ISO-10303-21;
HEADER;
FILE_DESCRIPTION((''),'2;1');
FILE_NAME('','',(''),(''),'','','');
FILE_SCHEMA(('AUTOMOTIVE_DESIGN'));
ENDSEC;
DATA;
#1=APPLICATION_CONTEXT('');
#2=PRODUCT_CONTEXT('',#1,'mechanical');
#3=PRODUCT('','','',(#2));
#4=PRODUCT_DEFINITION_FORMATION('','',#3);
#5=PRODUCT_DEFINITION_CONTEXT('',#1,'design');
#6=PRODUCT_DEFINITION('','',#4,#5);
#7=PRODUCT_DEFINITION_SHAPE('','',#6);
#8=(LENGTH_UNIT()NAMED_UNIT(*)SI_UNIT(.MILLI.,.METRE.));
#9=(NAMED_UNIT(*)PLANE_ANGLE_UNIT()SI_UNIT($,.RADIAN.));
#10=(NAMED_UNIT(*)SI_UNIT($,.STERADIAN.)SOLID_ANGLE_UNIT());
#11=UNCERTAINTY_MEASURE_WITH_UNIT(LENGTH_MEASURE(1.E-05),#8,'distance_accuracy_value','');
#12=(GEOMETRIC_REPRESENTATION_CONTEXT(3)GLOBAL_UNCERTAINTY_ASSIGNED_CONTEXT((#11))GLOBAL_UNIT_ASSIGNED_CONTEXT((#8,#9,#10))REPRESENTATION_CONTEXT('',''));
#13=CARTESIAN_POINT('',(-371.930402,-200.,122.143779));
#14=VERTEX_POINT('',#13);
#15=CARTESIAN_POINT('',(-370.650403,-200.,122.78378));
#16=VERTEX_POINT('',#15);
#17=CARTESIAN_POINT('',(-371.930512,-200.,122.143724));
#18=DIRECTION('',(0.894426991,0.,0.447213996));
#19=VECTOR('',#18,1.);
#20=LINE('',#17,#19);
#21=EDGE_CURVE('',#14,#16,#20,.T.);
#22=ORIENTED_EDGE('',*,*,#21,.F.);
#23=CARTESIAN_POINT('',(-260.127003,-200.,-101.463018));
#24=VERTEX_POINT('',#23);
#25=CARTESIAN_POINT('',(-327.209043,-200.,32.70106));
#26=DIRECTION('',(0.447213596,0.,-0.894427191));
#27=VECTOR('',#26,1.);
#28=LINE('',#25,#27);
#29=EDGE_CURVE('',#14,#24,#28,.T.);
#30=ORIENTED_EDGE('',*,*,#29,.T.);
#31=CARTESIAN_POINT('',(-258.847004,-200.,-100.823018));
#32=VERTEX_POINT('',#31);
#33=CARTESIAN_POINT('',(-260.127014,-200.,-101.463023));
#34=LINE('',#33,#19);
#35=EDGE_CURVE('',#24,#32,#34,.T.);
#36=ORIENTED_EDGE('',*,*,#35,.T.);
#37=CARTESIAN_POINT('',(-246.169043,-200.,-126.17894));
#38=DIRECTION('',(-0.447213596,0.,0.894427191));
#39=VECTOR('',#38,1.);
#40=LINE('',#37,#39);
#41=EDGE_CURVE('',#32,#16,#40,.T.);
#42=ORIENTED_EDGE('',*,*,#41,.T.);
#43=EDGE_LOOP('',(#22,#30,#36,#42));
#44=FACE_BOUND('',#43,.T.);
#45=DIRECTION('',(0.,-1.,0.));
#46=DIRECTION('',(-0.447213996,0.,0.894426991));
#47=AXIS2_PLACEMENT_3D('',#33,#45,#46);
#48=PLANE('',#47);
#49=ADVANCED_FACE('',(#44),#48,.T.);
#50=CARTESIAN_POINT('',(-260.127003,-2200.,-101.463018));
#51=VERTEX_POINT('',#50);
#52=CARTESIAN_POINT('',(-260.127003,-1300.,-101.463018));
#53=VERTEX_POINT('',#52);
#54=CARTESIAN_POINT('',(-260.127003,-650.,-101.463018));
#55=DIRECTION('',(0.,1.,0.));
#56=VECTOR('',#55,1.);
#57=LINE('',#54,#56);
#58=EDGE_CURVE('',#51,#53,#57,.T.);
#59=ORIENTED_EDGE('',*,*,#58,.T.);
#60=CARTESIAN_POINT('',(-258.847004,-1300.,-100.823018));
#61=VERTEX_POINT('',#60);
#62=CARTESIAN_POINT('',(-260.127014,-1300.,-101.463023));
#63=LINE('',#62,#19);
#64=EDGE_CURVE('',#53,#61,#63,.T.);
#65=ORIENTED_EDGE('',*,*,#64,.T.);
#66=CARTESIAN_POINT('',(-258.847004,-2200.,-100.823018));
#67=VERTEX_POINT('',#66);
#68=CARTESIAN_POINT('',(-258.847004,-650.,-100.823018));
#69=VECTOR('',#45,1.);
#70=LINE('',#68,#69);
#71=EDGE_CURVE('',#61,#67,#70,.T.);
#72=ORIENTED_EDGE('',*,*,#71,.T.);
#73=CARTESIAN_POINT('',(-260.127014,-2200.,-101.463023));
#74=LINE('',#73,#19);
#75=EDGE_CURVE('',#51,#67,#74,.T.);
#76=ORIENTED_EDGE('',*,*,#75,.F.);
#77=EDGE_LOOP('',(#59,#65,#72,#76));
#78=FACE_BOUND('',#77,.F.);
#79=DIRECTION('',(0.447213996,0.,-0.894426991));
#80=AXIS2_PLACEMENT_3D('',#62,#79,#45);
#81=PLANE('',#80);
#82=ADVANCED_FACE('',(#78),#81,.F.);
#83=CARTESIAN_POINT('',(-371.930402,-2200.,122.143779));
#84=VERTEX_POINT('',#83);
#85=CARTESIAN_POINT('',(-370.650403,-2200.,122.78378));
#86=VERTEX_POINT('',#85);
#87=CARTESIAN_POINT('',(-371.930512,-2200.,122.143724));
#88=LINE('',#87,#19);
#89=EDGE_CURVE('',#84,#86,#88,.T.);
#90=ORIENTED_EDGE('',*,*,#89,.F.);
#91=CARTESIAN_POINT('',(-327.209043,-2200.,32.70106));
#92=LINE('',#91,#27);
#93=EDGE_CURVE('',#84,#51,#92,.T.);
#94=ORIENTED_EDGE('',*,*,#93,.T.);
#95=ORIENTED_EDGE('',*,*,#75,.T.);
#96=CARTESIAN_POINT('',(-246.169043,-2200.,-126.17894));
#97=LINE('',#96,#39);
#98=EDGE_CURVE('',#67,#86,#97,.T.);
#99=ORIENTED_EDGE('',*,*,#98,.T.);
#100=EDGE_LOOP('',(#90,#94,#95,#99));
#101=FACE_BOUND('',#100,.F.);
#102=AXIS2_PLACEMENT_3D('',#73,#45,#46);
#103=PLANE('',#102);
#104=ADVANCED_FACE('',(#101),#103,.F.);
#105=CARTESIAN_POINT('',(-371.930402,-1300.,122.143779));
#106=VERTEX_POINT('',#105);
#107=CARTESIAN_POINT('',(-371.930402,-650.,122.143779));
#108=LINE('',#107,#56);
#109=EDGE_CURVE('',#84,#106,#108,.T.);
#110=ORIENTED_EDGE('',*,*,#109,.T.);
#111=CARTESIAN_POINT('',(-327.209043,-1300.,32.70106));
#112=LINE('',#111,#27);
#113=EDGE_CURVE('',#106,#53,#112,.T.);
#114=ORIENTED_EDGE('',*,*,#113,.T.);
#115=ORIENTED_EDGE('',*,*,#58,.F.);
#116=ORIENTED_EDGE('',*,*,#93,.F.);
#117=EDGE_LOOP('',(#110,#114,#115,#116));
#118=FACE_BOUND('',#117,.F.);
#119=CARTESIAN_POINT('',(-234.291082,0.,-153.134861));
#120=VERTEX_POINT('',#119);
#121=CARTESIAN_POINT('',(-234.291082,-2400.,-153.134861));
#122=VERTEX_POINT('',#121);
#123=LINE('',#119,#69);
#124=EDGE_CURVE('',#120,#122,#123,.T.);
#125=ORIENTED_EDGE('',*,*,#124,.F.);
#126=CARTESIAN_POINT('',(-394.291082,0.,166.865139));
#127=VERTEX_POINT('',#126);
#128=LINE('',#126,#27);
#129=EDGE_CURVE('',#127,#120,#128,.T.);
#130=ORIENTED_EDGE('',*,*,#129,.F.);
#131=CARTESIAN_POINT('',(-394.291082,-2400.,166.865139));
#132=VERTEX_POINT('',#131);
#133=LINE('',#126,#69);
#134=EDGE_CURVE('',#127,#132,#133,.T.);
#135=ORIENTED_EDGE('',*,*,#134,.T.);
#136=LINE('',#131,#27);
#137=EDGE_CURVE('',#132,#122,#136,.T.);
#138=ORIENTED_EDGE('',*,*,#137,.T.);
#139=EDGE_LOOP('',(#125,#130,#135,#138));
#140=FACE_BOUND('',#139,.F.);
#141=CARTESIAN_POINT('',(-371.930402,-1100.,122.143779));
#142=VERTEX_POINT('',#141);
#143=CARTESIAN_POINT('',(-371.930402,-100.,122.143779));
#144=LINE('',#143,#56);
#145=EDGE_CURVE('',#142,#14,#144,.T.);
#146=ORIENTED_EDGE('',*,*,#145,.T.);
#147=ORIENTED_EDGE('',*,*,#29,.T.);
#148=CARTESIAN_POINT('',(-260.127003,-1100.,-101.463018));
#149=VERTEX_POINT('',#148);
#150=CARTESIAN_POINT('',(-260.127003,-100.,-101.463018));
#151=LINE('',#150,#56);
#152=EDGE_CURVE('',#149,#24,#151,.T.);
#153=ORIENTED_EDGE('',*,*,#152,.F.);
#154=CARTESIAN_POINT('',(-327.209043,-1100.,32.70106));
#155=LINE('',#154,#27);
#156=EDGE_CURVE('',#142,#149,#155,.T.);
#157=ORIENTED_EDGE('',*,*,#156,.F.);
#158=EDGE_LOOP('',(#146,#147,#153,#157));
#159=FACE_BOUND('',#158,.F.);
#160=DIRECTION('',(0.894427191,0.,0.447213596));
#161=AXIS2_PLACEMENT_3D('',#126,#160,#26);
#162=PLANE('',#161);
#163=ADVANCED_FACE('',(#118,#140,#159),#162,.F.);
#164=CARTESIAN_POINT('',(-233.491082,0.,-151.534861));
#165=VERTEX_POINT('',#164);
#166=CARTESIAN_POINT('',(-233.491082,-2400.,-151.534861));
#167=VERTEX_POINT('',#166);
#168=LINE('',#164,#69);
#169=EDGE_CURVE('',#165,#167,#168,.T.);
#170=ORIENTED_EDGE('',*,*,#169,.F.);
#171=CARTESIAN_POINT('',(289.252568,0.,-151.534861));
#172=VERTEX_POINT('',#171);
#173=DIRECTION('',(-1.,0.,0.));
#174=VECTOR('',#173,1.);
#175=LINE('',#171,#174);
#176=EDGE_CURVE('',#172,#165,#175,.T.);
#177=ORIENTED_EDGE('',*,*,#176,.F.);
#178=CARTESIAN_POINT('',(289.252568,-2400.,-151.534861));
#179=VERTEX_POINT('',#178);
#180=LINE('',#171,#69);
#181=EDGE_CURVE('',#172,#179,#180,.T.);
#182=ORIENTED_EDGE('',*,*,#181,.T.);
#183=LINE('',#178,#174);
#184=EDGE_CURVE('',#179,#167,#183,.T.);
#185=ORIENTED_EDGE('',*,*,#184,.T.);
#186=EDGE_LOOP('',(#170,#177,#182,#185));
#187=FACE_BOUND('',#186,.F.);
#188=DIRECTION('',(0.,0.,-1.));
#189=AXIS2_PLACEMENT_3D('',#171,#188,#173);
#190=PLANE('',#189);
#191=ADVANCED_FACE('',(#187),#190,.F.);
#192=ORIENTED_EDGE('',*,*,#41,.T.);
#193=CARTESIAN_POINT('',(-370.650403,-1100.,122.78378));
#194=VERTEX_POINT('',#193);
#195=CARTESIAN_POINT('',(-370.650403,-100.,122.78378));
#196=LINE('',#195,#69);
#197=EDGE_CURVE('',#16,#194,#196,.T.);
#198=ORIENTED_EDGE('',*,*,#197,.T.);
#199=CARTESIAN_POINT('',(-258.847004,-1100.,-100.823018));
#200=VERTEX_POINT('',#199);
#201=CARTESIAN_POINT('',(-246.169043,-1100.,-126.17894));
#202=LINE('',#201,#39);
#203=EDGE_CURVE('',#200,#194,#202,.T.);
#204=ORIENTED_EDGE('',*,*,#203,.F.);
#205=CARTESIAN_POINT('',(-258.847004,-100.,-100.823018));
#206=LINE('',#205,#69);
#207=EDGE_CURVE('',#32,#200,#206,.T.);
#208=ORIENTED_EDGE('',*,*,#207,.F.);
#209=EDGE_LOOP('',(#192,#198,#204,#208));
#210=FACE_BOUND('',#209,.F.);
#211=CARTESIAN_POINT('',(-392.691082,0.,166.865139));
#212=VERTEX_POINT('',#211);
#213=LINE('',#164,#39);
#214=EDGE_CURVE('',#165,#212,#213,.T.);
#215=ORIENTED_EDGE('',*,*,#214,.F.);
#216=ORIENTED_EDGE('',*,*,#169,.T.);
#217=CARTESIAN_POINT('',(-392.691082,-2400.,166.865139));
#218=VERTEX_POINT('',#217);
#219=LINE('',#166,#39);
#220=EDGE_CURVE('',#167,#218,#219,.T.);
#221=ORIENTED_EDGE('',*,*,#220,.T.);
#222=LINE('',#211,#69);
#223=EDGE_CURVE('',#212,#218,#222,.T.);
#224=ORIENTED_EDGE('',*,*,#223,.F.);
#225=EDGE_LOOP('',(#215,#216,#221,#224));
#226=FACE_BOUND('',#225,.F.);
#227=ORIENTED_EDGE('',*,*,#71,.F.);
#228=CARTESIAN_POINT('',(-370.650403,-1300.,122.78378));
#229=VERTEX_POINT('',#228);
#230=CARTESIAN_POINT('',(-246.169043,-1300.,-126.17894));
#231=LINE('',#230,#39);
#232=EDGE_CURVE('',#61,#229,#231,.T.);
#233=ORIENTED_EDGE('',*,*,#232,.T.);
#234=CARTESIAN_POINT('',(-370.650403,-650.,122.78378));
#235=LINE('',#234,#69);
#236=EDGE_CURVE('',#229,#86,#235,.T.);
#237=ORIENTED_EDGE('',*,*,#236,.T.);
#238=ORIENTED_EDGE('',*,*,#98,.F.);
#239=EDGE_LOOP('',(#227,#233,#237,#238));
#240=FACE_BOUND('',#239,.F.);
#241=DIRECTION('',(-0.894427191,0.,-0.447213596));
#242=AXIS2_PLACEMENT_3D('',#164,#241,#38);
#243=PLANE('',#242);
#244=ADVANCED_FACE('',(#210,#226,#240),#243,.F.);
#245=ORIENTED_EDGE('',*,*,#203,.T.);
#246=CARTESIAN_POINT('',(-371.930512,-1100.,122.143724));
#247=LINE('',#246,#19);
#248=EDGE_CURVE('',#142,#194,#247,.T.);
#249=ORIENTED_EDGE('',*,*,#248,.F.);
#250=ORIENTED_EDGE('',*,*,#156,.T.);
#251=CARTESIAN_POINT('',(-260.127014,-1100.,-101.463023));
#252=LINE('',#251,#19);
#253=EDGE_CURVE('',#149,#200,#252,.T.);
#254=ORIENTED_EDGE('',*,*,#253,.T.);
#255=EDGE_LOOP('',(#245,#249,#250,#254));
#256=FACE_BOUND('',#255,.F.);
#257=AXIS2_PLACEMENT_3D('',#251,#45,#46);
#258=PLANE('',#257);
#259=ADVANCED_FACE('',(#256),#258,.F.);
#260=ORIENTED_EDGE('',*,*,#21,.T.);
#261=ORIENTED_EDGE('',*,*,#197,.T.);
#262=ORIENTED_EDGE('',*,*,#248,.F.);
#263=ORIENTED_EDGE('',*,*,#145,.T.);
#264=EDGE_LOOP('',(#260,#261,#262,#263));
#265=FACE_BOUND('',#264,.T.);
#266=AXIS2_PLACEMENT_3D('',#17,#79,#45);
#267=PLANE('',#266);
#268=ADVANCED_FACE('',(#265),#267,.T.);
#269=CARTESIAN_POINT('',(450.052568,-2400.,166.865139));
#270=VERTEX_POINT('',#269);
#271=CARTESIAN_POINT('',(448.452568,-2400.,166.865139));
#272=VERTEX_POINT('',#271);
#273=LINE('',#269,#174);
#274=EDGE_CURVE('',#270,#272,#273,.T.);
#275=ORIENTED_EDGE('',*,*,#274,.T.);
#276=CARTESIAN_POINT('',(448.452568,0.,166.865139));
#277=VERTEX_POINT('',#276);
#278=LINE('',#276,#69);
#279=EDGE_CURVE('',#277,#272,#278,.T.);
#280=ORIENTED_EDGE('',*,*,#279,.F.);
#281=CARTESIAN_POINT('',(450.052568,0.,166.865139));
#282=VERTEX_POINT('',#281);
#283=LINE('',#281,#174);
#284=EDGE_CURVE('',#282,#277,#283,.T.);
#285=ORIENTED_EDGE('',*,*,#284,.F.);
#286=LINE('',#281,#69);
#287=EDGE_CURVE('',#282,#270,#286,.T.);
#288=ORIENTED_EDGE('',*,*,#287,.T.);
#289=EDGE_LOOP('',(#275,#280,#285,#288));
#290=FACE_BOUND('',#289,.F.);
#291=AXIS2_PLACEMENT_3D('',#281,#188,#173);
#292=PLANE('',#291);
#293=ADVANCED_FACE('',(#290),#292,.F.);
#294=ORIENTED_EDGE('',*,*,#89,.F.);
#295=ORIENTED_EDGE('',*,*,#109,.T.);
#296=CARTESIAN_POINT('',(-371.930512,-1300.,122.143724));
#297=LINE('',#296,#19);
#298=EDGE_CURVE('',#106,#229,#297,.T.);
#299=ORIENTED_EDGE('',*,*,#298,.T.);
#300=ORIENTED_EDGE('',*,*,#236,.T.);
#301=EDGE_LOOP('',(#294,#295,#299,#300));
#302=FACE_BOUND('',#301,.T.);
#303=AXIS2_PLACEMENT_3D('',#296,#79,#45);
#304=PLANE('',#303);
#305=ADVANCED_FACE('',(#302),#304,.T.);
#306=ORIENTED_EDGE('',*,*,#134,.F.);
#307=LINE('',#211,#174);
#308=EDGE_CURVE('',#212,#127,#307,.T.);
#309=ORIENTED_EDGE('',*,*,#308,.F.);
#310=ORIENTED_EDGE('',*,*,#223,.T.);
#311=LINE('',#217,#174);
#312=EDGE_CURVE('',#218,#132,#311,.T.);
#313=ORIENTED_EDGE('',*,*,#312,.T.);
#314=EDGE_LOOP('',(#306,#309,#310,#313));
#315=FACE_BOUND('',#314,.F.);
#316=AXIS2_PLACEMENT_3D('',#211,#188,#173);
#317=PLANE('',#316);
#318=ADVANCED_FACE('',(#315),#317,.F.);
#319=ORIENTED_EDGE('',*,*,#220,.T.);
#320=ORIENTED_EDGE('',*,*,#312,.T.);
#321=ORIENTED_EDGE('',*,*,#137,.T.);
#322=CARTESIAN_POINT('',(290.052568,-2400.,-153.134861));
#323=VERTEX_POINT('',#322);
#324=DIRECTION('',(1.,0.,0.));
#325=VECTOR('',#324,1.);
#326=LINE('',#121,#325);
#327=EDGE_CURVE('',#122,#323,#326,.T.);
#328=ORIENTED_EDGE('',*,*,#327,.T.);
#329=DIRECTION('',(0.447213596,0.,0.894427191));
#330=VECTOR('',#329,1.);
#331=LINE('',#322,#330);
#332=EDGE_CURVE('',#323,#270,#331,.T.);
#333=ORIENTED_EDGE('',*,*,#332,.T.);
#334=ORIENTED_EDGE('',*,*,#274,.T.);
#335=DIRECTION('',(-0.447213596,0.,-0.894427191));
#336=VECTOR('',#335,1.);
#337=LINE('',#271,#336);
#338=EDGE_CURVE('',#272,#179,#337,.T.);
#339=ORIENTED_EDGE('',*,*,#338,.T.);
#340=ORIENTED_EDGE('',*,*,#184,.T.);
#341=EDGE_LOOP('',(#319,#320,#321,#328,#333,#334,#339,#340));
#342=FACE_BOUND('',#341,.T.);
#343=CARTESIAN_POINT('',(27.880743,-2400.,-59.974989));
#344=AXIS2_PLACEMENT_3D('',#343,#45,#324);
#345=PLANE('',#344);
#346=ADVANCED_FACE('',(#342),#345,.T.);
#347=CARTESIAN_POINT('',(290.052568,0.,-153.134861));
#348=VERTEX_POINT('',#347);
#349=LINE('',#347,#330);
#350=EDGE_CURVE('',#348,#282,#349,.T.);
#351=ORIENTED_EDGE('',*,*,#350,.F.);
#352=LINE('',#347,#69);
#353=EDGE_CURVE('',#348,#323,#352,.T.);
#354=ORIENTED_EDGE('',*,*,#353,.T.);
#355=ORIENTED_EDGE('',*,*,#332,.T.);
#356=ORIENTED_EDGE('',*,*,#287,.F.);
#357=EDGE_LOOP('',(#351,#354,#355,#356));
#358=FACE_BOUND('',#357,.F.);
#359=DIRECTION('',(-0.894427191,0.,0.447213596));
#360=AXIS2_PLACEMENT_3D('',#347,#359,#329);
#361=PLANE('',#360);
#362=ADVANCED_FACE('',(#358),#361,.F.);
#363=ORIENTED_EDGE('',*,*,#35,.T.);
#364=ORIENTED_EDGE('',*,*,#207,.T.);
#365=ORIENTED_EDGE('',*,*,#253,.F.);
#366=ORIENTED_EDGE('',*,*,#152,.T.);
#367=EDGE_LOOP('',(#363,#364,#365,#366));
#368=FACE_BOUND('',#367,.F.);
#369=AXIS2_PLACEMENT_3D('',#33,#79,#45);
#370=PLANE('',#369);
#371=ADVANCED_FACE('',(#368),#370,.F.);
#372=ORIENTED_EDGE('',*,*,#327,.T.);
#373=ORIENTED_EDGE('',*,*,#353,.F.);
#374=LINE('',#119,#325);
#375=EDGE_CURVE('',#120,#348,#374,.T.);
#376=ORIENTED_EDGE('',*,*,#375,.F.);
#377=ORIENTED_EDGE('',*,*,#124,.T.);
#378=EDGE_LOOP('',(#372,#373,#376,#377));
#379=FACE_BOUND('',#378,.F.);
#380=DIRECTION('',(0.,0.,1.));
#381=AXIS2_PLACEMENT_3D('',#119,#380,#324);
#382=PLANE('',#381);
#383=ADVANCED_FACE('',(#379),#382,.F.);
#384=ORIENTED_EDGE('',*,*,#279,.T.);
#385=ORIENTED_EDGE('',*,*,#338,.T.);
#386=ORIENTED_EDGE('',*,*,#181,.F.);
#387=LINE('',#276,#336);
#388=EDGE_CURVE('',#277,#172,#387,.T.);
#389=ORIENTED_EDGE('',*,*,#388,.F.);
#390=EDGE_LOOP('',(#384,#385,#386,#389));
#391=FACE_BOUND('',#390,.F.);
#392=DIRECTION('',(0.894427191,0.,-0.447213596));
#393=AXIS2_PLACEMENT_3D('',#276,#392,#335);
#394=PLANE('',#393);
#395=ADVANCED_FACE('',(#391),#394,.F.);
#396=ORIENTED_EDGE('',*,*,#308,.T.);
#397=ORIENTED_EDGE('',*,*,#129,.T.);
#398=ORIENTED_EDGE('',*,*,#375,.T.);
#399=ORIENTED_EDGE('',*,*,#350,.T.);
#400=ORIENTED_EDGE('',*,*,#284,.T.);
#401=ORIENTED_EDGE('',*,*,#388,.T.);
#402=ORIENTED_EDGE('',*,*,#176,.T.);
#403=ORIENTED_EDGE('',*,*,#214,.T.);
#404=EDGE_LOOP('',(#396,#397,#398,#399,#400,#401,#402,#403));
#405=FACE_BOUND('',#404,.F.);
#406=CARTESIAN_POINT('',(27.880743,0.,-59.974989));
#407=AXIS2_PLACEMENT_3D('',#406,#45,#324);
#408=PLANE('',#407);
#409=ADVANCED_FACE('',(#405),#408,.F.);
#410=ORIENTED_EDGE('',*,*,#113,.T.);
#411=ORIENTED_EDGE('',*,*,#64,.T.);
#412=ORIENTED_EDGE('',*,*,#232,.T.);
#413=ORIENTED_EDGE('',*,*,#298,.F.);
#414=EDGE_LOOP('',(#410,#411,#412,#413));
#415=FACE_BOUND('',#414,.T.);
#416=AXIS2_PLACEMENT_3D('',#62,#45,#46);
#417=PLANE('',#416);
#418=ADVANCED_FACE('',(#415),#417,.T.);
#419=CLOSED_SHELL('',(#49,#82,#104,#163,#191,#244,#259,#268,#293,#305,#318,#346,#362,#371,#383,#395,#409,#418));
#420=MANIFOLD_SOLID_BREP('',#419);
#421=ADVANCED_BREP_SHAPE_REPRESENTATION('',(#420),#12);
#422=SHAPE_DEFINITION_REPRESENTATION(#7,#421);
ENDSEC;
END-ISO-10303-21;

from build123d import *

# Parameters (mm, degrees)
F1_DEPTH = 2400
F2_W     = 900
F2_H     = 250
F3_DEPTH = 1.6
F4_W     = 900
F4_H     = 250
F5_DEPTH = 1.6


with BuildPart() as f1:
    # F0 (on Front) → F1 (new body)
    with BuildSketch(Plane.XZ):
        Polygon((-239.018946, -140.479133), (-388.218946, 157.920867), (-392.691082, 166.865139), (-394.291082, 166.865139), (-234.291082, -153.134861), (290.052568, -153.134861), (450.052568, 166.865139), (448.452568, 166.865139), (443.980432, 157.920867), (294.780432, -140.479133), (289.252568, -151.534861), (276.891889, -151.534861), (-221.130403, -151.534861), (-233.491082, -151.534861), align=None)
    extrude(amount=F1_DEPTH)

    # F2 (on face) → F3 (cut)
    with BuildSketch(Plane(origin=(-248.68681, 0, -124.343405), x_dir=(0, -1, 0), z_dir=(-0.894427, 0, -0.447214))):
        with Locations((1750, 150.58105)):
            Rectangle(F2_W, F2_H)
    extrude(amount=-F3_DEPTH, mode=Mode.SUBTRACT)

    # F4 (on face) → F5 (cut)
    with BuildSketch(Plane(origin=(-248.68681, 0, -124.343405), x_dir=(0, -1, 0), z_dir=(-0.894427, 0, -0.447214))):
        with Locations((650, 150.58105)):
            Rectangle(F4_W, F4_H)
    extrude(amount=-F5_DEPTH, mode=Mode.SUBTRACT)


solid = f1.part
